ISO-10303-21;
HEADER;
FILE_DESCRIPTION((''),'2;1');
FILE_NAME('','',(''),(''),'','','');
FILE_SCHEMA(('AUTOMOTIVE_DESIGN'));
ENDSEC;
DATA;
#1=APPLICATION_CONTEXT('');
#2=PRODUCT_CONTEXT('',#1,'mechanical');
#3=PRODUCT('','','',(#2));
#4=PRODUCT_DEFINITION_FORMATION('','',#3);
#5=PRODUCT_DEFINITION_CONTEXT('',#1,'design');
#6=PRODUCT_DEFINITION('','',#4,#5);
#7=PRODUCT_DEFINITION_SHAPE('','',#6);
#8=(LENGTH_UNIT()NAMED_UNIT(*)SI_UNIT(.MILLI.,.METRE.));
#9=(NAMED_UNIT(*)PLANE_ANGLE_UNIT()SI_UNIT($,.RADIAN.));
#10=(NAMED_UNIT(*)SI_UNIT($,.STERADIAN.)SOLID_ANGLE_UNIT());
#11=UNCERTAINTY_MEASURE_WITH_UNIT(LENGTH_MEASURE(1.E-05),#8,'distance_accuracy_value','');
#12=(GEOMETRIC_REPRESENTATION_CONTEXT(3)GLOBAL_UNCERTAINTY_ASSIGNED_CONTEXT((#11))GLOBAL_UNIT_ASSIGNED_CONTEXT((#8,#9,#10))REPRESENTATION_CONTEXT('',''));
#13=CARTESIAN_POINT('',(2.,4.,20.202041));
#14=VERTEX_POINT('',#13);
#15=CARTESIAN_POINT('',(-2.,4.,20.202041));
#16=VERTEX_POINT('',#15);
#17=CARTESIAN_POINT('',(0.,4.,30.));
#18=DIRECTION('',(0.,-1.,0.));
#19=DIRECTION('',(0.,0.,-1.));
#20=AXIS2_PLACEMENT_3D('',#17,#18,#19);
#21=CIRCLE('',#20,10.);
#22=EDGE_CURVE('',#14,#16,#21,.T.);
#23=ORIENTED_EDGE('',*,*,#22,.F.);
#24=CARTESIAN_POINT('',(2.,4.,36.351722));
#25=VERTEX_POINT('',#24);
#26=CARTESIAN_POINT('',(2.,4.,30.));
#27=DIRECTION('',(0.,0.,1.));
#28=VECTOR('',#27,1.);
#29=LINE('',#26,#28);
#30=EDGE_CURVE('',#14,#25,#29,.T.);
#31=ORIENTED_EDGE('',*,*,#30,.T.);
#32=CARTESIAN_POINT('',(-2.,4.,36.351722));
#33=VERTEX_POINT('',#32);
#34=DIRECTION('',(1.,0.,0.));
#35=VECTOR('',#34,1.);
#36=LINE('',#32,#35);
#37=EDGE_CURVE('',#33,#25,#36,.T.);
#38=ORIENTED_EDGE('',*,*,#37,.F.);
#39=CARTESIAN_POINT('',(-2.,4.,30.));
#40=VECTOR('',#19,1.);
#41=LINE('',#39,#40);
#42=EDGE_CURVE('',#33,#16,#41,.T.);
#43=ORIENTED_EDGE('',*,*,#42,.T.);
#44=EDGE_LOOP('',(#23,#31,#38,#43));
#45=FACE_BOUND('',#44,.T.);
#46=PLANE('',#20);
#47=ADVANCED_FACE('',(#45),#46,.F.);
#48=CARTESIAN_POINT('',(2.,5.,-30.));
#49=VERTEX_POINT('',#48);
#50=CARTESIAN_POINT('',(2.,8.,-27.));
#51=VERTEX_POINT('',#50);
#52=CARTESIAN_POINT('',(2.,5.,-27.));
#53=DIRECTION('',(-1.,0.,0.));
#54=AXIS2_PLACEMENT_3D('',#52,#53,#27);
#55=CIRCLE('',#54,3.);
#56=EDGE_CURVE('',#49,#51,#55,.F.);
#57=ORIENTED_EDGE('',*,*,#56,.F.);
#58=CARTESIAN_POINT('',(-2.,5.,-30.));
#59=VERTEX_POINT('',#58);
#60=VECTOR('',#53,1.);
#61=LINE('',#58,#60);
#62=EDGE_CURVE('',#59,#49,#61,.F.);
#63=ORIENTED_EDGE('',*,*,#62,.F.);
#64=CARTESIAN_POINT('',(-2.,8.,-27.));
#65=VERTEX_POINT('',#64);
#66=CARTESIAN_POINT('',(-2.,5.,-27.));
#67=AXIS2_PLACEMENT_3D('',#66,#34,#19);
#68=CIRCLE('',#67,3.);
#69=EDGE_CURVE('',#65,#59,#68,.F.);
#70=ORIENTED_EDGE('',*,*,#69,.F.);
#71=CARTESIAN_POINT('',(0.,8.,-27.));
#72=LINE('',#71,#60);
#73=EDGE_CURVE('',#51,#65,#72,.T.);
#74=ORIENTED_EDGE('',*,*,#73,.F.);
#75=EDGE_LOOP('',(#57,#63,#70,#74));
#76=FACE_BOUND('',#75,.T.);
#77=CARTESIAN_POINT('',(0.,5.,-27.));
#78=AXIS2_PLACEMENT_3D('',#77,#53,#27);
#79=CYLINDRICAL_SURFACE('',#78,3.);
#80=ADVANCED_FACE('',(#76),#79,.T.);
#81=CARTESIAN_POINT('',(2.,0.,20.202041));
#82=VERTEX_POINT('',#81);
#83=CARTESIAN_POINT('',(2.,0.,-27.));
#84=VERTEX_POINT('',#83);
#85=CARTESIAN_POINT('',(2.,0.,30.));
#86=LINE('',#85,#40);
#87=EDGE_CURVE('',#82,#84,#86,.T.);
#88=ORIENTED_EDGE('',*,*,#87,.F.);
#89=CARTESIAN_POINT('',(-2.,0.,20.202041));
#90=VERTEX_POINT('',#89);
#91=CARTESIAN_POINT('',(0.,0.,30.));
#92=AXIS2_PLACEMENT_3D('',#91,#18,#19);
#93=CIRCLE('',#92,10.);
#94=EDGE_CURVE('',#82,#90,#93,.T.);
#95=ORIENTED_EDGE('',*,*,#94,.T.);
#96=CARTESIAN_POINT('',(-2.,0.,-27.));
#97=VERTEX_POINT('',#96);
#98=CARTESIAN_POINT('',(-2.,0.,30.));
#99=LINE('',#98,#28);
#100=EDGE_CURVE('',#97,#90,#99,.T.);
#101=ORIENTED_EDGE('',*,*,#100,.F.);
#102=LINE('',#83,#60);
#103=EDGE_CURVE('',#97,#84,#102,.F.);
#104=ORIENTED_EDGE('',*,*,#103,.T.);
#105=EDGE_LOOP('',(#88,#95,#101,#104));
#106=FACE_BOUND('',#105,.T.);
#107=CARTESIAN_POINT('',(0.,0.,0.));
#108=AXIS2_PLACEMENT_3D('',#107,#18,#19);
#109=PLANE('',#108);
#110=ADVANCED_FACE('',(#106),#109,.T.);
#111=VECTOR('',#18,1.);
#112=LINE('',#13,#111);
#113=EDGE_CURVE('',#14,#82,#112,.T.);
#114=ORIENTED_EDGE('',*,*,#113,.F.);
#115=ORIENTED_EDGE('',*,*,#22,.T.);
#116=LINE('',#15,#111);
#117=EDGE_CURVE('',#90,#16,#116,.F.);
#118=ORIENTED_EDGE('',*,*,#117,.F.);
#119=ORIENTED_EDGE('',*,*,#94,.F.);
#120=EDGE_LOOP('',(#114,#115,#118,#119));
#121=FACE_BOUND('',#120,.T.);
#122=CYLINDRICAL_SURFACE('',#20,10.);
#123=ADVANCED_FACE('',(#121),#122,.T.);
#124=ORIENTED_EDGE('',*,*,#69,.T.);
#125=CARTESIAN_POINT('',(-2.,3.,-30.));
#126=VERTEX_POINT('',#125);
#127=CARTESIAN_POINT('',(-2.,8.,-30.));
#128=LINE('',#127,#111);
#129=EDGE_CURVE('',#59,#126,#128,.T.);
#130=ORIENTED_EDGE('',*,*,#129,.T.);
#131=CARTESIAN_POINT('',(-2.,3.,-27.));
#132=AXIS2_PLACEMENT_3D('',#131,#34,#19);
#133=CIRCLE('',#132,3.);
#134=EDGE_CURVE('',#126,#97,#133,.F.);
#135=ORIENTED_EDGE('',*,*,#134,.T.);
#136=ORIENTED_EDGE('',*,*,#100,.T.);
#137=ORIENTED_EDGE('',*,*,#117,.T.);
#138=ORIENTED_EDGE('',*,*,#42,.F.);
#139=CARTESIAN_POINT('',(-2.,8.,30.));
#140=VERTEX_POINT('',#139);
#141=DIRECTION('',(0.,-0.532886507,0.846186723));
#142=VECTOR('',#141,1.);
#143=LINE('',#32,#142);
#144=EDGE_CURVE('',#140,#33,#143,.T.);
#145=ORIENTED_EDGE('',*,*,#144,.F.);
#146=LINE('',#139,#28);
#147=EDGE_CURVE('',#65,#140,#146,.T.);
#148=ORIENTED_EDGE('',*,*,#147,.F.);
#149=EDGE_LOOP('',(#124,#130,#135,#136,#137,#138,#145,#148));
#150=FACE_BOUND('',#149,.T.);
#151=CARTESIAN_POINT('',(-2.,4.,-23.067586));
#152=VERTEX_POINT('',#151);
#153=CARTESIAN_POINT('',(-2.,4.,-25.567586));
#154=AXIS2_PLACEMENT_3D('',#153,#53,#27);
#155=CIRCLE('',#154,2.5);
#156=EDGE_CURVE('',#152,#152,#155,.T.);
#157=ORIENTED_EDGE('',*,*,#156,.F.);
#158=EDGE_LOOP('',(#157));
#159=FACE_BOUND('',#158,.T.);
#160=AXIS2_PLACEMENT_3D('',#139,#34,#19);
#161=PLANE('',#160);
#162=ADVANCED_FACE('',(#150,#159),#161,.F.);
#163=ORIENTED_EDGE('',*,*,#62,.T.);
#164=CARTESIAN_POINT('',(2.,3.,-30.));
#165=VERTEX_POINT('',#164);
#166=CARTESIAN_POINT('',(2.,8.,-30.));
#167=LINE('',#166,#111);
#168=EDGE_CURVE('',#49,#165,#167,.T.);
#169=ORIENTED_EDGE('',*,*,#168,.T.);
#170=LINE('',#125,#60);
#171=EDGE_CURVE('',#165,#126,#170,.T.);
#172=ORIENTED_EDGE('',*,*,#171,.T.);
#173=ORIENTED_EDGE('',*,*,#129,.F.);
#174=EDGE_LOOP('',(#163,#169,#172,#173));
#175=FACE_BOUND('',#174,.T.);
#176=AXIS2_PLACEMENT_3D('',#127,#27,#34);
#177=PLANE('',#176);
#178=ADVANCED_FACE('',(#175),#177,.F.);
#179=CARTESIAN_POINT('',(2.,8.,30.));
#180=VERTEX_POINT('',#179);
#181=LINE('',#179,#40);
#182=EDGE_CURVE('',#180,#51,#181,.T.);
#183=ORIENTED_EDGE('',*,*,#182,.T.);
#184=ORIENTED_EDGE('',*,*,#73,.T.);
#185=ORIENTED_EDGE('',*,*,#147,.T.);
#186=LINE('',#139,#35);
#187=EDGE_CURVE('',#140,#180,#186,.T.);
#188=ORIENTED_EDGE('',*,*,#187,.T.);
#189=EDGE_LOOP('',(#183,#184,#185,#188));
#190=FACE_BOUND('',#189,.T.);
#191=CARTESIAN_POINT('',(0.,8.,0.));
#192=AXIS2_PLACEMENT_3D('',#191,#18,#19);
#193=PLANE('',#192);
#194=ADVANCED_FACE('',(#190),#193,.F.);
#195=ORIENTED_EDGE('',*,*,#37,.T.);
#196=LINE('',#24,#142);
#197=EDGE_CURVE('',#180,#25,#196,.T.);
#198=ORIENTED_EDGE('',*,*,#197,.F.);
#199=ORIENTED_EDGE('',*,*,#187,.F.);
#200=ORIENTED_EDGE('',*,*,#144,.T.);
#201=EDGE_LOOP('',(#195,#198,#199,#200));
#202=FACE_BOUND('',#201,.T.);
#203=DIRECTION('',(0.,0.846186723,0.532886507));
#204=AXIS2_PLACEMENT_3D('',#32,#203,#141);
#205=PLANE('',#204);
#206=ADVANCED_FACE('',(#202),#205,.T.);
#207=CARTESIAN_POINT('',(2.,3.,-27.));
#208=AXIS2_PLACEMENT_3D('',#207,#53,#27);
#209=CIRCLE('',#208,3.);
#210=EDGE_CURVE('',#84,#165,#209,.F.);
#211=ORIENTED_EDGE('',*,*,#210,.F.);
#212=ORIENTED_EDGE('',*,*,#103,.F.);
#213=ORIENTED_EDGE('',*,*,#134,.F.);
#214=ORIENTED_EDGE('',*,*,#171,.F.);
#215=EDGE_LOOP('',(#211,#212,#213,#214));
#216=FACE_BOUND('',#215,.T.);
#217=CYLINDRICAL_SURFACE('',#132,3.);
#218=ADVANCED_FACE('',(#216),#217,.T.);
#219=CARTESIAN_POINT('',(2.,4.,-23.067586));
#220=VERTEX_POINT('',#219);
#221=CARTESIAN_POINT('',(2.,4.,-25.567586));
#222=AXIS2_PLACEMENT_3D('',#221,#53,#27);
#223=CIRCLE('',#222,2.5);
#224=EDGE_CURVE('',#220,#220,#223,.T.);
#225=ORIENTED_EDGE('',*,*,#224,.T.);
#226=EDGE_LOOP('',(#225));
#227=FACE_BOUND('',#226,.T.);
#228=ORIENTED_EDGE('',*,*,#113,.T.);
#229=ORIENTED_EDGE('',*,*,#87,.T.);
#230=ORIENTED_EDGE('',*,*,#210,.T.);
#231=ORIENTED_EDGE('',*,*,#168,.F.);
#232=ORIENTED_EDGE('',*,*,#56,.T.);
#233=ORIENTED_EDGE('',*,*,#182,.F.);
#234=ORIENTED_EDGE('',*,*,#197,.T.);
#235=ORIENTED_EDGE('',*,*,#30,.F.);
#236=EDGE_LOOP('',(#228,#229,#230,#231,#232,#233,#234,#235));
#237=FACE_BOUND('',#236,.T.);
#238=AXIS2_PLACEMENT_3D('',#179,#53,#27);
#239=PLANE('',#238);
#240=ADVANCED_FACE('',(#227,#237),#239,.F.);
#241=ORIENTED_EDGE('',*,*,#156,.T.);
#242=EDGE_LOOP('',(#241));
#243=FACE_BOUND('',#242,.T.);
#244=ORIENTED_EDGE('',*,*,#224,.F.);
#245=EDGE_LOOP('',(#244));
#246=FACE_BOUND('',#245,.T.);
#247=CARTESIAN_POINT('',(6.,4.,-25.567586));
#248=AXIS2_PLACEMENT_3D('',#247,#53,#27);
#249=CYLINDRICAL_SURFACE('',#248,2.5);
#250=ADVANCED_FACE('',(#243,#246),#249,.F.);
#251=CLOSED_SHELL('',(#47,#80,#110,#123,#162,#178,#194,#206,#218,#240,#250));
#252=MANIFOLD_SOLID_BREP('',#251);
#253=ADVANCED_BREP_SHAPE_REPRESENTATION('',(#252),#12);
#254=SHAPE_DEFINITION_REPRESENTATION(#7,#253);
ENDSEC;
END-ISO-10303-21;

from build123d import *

# Parameters (mm, degrees)
SKETCH1_W           = 4
SKETCH1_H           = 60
BOSS_EXTRUDE1_DEPTH = 8
SKETCH2_R           = 2.5
CUT_EXTRUDE1_DEPTH  = 8
FILLET1_R           = 3
SKETCH3_R           = 10
BOSS_EXTRUDE2_DEPTH = 4
BOSS_EXTRUDE3_DEPTH = 4


with BuildPart() as part:
    # Sketch1 → Boss-Extrude1 (new body)
    with BuildSketch(Plane(origin=(0, 0, 0), x_dir=(1, 0, 0), z_dir=(0, 1, 0))):
        Rectangle(SKETCH1_W, SKETCH1_H)
    extrude(amount=BOSS_EXTRUDE1_DEPTH)

    # Sketch2 → Cut-Extrude1 (cut)
    with BuildSketch(Plane.ZY.offset(2)):
        with Locations((-25.567586356, 4)):
            Circle(SKETCH2_R)
    extrude(amount=-CUT_EXTRUDE1_DEPTH, mode=Mode.SUBTRACT)

    # Fillet1
    fillet1_edges = [part.edges().sort_by_distance(p)[0] for p in [
        (0, 0, -30),
        (0, 8, -30),
    ]]
    fillet(fillet1_edges, radius=FILLET1_R)

    # Sketch3 → Boss-Extrude2 (add)
    with BuildSketch(Plane.XZ):
        with Locations((0, 30)):
            Circle(SKETCH3_R)
    extrude(amount=-BOSS_EXTRUDE2_DEPTH)

    # Sketch4 → Boss-Extrude3 (add)
    with BuildSketch(Plane(origin=(2, 0, 0), x_dir=(0, 0, -1), z_dir=(1, 0, 0))):
        Polygon((-30, 4), (-36.351721889, 4), (-30, 8), align=None)
    extrude(amount=-BOSS_EXTRUDE3_DEPTH)


solid = part.part
